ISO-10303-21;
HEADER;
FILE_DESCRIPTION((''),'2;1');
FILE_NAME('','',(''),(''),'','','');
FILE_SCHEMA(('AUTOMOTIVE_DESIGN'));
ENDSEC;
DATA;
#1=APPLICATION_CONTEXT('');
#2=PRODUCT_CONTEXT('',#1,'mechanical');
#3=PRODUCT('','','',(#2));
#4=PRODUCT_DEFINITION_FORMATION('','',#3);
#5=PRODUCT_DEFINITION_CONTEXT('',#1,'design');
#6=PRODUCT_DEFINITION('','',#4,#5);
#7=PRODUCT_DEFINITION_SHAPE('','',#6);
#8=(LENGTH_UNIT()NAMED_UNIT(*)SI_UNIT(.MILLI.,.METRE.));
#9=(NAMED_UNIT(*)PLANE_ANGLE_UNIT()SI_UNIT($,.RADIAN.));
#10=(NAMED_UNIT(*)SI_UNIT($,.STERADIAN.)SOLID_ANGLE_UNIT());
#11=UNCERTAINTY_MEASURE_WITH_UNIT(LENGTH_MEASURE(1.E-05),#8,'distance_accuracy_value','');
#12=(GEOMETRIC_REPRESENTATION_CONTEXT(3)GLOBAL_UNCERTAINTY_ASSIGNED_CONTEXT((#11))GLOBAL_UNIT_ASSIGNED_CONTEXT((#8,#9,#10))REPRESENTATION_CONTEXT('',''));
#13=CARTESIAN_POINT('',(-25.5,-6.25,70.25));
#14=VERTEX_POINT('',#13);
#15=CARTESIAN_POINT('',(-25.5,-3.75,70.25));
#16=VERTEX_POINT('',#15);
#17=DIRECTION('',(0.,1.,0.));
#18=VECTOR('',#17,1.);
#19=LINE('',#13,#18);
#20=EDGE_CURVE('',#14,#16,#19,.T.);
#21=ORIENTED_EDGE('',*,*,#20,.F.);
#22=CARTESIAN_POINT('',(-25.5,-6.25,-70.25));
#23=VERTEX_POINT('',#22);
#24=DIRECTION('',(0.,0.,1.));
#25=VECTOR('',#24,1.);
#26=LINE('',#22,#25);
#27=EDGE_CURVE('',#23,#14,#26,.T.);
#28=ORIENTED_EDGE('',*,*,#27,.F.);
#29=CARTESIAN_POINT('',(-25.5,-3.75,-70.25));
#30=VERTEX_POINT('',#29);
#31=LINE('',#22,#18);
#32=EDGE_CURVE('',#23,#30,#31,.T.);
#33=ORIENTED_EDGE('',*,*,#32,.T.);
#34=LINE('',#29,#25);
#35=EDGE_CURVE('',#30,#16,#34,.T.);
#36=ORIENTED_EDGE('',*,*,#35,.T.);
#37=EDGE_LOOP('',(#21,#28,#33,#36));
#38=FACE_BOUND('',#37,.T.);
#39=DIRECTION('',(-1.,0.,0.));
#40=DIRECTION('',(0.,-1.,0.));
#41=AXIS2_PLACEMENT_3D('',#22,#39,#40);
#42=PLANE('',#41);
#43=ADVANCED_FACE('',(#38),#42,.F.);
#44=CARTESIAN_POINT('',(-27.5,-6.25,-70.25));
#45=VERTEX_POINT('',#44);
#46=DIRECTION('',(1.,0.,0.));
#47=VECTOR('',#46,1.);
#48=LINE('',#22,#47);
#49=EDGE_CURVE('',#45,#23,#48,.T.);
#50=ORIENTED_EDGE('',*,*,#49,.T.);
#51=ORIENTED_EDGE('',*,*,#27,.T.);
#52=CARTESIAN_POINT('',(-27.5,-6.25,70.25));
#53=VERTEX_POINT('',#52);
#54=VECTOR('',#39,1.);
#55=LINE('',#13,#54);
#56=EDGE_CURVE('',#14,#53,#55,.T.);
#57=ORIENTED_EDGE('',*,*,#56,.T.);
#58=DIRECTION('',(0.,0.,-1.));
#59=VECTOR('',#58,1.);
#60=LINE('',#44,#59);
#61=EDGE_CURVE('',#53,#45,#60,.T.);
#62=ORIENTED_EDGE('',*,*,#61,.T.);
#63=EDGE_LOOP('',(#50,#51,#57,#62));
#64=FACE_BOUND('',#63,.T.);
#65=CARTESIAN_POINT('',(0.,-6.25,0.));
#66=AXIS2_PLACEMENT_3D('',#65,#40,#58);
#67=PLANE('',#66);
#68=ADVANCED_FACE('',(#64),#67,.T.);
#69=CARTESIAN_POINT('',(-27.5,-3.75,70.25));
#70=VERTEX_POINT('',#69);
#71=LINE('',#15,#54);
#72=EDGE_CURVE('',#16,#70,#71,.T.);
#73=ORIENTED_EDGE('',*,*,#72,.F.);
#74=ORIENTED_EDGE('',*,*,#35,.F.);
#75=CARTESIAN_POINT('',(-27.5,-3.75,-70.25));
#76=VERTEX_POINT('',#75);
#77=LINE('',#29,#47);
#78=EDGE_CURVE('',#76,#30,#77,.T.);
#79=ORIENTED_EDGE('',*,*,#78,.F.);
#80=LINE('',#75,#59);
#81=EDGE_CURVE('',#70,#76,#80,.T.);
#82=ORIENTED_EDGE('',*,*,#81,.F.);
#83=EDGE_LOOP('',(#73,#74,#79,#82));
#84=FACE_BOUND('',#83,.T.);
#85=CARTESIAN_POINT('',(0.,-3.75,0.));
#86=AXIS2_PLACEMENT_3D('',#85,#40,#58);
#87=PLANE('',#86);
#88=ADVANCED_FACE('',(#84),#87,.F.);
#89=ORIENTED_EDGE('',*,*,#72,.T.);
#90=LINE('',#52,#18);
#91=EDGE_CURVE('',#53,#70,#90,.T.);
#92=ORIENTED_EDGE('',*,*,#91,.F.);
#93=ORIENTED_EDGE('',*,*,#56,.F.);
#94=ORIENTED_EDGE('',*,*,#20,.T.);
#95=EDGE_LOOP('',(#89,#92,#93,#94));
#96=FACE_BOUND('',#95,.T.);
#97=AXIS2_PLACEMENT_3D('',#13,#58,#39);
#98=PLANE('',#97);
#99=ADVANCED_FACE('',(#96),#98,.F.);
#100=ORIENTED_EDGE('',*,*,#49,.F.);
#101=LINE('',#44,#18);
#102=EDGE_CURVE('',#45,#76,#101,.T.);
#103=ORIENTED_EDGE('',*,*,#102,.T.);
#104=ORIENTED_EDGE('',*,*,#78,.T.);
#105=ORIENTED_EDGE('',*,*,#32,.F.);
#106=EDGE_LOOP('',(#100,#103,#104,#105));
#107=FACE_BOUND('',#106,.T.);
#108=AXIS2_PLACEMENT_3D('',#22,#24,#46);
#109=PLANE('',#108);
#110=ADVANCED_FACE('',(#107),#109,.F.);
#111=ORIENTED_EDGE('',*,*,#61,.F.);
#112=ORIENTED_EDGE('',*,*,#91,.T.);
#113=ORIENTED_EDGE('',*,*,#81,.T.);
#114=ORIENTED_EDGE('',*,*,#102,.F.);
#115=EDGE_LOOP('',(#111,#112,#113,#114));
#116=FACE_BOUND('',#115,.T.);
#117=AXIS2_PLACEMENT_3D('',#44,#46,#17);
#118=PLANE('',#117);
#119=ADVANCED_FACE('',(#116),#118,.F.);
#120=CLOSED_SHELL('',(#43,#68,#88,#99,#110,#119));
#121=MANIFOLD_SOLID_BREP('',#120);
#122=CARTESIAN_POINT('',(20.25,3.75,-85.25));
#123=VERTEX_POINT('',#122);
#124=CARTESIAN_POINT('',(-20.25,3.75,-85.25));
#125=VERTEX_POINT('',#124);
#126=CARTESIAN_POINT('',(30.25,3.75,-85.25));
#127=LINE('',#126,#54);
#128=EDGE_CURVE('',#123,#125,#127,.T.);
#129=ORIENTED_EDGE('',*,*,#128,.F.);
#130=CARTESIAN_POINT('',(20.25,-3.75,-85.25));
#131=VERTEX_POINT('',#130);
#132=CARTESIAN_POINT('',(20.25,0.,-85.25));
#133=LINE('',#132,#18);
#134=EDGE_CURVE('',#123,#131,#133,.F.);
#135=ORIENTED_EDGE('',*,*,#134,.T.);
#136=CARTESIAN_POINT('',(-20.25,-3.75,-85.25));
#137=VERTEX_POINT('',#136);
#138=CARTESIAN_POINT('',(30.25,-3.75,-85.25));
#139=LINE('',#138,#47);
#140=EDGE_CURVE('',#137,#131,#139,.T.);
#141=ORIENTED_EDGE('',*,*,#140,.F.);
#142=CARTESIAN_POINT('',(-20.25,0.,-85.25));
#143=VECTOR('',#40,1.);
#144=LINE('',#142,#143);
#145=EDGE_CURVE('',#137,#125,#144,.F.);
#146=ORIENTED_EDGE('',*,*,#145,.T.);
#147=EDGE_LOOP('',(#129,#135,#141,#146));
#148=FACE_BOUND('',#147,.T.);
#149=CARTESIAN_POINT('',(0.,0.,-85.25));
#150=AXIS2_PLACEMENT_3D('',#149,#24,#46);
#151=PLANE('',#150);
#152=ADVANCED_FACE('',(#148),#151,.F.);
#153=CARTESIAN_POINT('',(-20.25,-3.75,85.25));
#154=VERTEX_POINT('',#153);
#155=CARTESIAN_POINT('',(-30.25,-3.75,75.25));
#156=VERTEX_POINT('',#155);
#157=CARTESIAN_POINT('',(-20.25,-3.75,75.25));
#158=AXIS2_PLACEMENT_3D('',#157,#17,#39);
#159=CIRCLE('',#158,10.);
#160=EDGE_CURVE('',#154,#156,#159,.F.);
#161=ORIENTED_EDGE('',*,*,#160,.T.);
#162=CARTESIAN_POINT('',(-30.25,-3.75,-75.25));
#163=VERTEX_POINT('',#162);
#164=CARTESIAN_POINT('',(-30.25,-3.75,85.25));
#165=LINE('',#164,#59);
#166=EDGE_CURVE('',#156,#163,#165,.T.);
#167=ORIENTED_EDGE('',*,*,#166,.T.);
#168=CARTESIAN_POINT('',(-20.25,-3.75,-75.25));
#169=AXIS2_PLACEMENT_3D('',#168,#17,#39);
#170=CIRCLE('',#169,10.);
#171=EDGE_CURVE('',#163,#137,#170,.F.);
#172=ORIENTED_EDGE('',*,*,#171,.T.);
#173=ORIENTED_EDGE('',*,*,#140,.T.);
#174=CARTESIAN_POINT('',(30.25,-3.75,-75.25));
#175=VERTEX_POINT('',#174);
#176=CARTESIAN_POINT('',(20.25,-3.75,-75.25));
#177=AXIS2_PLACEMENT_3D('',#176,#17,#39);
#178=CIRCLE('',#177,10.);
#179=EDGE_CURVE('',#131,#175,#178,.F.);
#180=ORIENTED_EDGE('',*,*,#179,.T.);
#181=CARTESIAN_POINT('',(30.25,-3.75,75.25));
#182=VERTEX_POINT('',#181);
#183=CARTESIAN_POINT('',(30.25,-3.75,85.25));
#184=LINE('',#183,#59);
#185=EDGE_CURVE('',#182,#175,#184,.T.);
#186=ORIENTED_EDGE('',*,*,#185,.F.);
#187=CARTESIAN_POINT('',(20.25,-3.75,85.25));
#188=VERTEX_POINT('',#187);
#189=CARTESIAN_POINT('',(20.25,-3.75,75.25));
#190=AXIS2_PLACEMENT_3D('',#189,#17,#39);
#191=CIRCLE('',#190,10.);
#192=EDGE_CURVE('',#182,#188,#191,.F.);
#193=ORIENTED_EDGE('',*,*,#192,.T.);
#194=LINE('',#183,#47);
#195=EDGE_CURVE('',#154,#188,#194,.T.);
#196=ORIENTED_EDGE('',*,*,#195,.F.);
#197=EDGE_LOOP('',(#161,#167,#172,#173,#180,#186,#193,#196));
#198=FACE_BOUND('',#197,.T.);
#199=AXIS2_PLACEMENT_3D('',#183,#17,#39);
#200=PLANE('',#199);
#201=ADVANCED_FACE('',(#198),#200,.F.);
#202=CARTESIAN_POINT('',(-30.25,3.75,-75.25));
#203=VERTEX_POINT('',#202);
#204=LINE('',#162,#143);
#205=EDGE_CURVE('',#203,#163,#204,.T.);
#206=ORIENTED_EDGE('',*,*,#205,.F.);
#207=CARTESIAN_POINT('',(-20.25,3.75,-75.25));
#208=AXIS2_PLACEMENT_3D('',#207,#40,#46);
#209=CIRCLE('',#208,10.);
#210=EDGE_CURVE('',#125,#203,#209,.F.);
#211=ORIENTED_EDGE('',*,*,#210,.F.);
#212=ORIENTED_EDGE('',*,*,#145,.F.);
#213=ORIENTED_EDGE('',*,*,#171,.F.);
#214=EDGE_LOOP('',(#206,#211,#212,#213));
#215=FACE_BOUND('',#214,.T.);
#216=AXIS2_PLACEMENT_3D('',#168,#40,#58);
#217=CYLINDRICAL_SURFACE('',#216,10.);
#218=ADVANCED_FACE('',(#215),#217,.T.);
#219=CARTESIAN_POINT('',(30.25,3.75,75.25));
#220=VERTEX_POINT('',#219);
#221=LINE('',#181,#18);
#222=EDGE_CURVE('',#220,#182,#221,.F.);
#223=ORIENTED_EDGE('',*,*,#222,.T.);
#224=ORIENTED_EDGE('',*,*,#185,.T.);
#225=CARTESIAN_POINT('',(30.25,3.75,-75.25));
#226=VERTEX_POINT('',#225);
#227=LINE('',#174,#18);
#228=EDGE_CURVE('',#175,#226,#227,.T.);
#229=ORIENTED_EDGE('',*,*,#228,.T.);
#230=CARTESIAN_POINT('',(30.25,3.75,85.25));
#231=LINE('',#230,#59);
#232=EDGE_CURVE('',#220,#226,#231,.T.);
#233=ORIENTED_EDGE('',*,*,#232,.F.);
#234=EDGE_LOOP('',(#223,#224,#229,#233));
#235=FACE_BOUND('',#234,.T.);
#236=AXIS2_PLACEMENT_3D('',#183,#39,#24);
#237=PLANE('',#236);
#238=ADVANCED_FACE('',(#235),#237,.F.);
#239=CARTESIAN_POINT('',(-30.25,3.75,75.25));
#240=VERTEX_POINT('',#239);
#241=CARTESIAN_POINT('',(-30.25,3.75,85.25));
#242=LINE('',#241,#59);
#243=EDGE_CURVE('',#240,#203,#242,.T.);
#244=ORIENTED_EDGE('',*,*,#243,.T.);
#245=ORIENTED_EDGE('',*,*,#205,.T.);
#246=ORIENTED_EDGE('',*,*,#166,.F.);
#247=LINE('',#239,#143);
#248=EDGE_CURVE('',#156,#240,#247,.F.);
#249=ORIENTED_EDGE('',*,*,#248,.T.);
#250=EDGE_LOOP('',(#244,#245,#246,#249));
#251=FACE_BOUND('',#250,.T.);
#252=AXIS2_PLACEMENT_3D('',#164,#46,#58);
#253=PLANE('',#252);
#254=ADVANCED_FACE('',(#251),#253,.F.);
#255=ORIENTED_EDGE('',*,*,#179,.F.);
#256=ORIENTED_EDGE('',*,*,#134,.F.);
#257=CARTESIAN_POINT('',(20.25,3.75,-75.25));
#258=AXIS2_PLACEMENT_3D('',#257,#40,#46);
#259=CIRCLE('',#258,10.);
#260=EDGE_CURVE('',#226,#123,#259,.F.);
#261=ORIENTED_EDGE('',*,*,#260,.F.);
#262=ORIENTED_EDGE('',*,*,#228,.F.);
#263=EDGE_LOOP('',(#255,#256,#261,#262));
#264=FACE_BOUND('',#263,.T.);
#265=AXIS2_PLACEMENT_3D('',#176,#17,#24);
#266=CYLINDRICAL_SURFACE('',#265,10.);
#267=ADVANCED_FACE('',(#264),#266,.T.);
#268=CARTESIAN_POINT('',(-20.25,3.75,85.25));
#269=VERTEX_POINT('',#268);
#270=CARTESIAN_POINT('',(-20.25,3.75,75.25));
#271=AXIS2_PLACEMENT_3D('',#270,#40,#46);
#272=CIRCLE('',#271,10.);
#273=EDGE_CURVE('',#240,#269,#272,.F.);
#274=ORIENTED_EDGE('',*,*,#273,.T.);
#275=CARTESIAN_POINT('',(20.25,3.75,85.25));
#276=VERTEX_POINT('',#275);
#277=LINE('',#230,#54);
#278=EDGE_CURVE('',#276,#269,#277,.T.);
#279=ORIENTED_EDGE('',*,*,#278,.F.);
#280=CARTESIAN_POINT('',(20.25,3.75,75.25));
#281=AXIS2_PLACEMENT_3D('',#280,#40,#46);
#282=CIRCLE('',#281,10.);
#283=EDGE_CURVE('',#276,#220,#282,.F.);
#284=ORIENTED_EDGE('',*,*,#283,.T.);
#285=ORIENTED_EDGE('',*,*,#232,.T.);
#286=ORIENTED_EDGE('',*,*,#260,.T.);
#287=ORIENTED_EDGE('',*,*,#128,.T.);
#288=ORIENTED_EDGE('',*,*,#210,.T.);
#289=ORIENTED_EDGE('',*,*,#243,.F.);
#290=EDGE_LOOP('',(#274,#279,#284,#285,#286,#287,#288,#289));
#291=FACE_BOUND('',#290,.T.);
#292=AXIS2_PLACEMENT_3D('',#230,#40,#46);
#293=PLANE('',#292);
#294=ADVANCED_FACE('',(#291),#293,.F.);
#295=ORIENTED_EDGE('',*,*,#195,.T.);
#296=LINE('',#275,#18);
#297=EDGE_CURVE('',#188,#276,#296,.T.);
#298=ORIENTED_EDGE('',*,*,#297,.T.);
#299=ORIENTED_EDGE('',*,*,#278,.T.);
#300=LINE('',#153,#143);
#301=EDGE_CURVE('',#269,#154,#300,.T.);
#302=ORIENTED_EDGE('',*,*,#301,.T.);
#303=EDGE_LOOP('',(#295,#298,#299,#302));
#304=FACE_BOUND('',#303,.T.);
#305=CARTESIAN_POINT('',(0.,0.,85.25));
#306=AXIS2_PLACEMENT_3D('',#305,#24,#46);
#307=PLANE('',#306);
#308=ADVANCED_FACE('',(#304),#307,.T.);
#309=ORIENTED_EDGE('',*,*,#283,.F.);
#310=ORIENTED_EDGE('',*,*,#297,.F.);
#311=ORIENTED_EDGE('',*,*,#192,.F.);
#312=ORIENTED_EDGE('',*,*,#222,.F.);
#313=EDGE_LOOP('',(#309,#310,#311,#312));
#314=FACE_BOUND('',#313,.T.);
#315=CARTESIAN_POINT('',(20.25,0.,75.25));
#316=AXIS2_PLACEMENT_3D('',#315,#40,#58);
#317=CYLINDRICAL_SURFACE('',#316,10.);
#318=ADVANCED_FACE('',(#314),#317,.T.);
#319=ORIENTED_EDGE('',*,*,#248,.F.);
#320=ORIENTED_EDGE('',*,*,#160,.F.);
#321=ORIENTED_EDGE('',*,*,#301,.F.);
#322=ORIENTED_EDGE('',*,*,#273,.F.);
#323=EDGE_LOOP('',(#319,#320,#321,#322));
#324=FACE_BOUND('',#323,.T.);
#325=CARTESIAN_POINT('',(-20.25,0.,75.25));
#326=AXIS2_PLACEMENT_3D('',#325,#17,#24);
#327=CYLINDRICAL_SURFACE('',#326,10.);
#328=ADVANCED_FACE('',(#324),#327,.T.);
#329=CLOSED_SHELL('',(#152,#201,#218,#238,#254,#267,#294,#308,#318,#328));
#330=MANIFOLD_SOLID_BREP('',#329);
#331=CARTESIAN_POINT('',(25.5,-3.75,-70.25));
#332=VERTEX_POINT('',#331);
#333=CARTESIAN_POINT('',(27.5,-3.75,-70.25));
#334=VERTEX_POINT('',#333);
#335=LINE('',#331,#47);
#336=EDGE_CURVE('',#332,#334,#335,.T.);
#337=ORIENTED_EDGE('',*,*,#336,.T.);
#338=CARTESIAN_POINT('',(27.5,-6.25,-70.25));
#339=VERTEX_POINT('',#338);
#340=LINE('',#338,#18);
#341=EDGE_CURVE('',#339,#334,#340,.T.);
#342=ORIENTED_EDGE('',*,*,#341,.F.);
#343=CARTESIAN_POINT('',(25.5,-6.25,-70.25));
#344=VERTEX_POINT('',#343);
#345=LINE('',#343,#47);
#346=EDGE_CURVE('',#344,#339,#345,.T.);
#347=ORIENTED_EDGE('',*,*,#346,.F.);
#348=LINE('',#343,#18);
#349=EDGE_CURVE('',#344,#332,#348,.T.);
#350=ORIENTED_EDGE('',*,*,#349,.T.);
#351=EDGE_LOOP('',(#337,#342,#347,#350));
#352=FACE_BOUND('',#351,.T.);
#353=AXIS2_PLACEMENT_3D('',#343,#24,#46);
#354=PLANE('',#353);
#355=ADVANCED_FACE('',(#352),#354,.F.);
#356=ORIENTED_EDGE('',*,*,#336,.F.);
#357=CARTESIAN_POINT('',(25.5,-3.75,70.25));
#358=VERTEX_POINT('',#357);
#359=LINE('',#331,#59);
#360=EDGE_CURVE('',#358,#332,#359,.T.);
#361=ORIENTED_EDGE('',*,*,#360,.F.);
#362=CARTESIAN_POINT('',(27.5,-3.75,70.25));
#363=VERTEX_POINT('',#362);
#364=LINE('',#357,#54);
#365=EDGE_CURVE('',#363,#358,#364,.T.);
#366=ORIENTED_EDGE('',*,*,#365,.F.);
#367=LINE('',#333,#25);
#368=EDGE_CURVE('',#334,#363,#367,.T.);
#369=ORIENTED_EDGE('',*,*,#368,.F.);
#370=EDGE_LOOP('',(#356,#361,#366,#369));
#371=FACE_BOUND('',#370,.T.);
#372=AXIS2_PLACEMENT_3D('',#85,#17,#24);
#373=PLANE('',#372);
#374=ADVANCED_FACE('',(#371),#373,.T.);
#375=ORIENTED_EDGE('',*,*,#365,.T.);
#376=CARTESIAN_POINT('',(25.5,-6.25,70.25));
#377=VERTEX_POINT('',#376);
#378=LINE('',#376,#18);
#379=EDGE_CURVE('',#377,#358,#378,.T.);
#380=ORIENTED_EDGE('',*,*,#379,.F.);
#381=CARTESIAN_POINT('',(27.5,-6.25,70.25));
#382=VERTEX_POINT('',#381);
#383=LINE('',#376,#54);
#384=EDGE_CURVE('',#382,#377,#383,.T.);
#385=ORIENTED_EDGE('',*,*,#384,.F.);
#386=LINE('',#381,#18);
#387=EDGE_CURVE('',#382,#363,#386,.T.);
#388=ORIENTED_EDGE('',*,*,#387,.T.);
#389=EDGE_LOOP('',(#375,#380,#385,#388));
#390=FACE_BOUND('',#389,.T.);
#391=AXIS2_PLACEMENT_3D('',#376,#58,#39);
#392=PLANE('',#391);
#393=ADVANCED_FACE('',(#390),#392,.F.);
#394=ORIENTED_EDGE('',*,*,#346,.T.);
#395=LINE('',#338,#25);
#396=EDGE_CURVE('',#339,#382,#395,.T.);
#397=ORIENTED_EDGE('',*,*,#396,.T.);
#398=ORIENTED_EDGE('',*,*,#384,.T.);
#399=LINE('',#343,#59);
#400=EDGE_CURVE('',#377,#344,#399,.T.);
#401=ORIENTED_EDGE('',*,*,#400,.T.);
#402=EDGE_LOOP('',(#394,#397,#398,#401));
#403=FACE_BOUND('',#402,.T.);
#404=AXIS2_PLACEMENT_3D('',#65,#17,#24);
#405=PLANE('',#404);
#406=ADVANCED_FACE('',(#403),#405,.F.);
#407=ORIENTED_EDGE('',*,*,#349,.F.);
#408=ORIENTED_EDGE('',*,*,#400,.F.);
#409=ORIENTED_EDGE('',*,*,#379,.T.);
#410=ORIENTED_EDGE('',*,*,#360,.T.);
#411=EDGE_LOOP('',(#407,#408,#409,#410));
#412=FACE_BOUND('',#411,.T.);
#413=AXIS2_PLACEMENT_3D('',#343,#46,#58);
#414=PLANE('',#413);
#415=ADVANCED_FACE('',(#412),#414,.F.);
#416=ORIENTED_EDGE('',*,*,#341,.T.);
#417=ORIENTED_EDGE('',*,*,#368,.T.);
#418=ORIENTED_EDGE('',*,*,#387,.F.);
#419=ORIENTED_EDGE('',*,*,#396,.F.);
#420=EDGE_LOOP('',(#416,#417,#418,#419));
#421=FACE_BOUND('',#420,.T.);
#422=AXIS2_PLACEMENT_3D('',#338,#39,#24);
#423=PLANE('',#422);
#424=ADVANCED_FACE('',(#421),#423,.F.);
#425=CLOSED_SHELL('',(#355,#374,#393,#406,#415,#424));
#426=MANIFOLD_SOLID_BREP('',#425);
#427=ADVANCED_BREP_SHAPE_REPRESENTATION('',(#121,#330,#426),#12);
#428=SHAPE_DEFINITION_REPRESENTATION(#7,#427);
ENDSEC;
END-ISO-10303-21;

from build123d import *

# Parameters (mm, degrees)
SKETCH3_W             = 60.5
SKETCH3_H             = 7.5
BOSS_EXTRUDE1_DEPTH   = 85.25
SKETCH4_W             = 2
SKETCH4_H             = 140.5
BOSS_EXTRUDE2_DEPTH   = 2.5
BOSS_EXTRUDE2_2_DEPTH = 2.5
FILLET1_R             = 10


with BuildPart() as part:
    # Sketch3 → Boss-Extrude1 (new, symmetric)
    with BuildSketch(Plane.XY):
        Rectangle(SKETCH3_W, SKETCH3_H)
    extrude(amount=BOSS_EXTRUDE1_DEPTH, both=True)

    # Fillet1
    fillet1_edges = [part.edges().sort_by_distance(p)[0] for p in [
        (30.25, 0, 85.25),
        (-30.25, 0, 85.25),
        (30.25, 0, -85.25),
        (-30.25, 0, -85.25),
    ]]
    fillet(fillet1_edges, radius=FILLET1_R)


with BuildPart() as body_2:
    # Sketch4 → Boss-Extrude2 (new body)
    with BuildSketch(Plane.XZ.offset(3.75)):
        with Locations((-26.5, 0)):
            Rectangle(SKETCH4_W, SKETCH4_H)
    extrude(amount=BOSS_EXTRUDE2_DEPTH)


with BuildPart() as body_3:
    # Sketch4 → Boss-Extrude2 2 (new body)
    with BuildSketch(Plane.XZ.offset(3.75)):
        with Locations((26.5, 0)):
            Rectangle(SKETCH4_W, SKETCH4_H)
    extrude(amount=BOSS_EXTRUDE2_2_DEPTH)


solid = Compound([part.part, body_2.part, body_3.part])
